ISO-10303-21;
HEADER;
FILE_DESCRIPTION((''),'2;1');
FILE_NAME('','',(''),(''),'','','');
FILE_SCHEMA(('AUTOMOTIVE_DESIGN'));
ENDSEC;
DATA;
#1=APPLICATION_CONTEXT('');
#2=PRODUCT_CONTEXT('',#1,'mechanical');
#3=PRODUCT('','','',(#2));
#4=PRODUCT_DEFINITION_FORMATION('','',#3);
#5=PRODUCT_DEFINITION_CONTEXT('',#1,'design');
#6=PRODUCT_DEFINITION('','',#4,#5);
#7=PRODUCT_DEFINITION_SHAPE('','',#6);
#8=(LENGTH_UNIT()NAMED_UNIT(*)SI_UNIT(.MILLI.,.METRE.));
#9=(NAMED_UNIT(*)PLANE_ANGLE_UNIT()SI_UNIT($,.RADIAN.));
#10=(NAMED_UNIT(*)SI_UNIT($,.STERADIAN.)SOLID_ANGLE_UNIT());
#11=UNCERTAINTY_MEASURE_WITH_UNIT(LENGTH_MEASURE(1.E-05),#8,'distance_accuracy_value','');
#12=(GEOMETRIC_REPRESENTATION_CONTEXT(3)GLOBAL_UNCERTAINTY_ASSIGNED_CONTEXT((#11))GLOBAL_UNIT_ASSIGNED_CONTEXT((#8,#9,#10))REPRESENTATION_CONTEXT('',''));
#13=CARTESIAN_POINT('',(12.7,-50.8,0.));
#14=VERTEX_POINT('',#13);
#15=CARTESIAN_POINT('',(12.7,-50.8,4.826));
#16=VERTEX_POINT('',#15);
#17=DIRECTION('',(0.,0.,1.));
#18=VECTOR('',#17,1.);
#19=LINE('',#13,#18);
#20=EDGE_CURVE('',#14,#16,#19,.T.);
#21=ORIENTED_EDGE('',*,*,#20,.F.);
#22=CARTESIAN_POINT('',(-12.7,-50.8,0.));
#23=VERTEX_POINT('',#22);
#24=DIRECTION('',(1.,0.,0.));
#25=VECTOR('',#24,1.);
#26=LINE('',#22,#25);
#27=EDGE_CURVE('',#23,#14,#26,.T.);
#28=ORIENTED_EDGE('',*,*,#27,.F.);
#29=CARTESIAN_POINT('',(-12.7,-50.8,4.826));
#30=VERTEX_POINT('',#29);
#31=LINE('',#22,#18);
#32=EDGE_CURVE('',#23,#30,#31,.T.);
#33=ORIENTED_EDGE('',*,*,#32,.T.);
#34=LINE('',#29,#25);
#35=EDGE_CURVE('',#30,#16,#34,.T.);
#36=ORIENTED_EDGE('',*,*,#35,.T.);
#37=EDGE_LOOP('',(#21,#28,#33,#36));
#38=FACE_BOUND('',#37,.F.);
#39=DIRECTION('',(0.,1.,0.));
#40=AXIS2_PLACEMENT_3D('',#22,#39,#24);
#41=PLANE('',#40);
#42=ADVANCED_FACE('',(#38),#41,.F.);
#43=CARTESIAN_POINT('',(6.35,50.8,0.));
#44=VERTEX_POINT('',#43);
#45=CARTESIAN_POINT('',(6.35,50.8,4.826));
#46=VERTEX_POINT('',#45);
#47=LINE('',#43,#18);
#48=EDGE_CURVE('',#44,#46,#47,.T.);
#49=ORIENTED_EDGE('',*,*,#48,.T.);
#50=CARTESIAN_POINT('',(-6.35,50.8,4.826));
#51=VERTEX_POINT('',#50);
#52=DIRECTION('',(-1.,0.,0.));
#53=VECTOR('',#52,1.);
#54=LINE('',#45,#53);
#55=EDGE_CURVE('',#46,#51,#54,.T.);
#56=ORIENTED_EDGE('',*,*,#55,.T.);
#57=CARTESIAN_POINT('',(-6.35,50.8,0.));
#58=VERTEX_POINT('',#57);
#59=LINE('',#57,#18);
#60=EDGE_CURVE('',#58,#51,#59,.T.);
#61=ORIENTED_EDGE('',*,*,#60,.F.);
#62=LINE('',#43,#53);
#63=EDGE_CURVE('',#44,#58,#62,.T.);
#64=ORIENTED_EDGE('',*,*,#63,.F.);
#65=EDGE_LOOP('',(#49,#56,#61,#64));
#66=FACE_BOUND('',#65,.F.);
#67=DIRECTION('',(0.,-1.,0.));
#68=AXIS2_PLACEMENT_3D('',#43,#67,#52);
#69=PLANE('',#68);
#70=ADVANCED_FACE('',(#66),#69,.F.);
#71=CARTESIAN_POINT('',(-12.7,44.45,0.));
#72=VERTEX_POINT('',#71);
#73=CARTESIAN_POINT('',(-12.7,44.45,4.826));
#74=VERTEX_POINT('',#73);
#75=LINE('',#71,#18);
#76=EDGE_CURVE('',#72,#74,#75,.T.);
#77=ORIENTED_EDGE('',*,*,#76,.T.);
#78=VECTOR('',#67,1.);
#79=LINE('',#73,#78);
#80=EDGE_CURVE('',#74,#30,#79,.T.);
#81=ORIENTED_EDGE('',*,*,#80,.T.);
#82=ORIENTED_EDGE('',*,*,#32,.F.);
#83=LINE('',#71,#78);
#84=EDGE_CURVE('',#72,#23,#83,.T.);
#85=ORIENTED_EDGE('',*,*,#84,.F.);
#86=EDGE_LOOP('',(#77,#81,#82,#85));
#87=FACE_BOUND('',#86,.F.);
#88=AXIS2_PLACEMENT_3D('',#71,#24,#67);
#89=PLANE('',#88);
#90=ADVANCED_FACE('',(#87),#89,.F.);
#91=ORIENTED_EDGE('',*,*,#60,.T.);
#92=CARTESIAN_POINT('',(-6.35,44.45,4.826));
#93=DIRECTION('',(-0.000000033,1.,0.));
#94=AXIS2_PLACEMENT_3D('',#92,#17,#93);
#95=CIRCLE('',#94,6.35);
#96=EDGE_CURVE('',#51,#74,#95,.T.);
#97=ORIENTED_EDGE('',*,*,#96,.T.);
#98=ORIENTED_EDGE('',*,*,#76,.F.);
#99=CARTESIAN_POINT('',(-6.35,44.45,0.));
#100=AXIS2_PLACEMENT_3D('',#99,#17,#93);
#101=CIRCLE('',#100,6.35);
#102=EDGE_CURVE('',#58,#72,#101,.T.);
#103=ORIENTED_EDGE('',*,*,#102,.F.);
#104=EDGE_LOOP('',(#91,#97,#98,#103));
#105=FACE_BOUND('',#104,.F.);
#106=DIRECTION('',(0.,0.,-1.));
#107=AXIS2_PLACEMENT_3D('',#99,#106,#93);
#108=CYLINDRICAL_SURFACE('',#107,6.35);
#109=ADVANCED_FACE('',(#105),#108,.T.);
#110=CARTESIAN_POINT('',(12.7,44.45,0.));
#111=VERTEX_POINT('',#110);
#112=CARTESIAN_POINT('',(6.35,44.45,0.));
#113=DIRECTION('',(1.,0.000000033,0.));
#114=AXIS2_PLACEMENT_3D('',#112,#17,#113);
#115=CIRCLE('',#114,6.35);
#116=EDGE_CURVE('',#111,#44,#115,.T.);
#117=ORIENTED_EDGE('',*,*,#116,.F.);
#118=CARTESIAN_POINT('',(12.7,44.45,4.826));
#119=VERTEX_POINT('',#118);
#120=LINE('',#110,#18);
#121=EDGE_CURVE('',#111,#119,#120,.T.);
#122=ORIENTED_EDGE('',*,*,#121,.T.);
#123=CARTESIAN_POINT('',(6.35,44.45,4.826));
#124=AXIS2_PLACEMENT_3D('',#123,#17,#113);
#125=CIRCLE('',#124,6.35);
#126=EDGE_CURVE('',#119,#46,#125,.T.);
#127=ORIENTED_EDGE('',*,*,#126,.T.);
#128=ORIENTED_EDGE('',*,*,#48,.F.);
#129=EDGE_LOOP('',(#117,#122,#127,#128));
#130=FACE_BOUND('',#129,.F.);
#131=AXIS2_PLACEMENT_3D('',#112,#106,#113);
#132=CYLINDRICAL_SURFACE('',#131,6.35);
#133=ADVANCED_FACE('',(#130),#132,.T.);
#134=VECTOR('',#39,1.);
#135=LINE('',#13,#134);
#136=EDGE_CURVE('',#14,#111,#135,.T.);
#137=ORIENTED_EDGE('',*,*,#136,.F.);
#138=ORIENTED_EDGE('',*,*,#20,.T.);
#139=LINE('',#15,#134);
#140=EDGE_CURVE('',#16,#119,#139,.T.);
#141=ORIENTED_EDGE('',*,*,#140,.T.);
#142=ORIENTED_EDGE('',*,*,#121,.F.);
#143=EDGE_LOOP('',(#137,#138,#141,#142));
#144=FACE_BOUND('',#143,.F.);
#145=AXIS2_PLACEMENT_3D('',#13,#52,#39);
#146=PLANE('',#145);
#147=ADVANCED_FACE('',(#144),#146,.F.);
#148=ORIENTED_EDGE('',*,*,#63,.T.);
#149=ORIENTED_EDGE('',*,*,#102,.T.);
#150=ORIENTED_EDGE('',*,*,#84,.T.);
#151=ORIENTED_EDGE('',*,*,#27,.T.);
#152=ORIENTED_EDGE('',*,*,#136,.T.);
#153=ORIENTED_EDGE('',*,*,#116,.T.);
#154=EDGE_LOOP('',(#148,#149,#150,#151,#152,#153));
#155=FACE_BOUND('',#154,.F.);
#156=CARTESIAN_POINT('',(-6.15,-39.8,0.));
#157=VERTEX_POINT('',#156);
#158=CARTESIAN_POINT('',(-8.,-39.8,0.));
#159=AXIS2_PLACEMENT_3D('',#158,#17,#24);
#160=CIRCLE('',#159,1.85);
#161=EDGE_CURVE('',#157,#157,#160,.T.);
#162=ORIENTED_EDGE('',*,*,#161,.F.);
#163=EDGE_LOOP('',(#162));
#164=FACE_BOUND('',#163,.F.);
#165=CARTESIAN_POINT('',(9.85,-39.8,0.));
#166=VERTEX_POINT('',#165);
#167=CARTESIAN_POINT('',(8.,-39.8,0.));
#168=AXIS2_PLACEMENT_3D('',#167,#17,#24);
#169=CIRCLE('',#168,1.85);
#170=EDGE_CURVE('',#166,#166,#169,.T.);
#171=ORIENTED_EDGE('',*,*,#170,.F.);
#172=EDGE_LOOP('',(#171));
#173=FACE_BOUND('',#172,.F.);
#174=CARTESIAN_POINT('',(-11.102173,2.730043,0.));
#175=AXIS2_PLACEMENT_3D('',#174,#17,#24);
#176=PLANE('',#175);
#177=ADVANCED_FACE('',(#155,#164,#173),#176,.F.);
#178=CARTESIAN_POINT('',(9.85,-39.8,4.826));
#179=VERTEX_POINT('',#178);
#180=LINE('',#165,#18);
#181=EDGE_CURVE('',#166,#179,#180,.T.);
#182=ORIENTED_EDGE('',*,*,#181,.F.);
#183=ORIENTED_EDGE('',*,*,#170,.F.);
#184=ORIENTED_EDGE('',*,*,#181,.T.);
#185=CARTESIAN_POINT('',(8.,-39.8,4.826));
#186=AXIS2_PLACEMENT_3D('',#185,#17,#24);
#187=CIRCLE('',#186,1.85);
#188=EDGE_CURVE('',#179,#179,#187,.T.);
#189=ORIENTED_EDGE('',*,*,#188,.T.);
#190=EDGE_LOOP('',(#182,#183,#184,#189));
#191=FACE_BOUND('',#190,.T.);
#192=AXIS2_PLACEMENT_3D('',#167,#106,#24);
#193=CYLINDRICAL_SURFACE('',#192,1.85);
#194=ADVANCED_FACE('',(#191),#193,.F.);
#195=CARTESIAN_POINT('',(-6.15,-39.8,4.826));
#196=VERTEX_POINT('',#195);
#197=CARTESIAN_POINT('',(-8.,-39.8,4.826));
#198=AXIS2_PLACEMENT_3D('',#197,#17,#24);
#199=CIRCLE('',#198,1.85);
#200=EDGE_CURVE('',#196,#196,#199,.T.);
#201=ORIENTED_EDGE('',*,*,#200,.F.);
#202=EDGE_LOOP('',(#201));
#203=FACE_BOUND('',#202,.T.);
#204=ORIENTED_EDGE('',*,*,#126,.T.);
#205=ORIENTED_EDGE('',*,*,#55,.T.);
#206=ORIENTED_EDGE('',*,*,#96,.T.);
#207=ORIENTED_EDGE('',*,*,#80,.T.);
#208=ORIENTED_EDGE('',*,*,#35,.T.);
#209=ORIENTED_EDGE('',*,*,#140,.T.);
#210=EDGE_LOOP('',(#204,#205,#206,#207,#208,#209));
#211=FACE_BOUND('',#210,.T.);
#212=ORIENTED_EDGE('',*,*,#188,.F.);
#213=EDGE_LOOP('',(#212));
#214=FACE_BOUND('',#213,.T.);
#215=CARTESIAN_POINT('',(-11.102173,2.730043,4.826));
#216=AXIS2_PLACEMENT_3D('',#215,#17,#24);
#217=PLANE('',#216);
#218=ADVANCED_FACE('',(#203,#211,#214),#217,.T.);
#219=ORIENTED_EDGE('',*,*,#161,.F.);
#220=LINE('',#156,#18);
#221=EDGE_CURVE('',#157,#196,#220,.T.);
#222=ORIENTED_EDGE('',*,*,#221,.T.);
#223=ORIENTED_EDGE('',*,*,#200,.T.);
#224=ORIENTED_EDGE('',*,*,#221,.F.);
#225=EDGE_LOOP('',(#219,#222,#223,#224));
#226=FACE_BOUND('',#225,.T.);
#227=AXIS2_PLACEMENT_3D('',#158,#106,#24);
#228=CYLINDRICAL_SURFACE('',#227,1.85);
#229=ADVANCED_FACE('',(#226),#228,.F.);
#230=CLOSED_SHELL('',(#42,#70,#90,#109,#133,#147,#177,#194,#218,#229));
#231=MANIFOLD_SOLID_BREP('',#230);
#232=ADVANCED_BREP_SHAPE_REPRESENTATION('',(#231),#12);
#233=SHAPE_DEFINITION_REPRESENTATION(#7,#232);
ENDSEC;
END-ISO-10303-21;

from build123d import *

# Parameters (mm, degrees)
F0_R     = 1.85
F1_DEPTH = 4.826


with BuildPart() as f1:
    # F0 (on Top) → F1 (new body)
    with BuildSketch(Plane.XY):
        with BuildLine():
            Line((0, 50.8), (-6.35, 50.8))
            ThreePointArc((-6.35, 50.8), (-10.840128, 48.940128), (-12.7, 44.45))
            Line((-12.7, 44.45), (-12.7, -50.8))
            add(Edge.make_bspline(
                [(0, 50.8), (-12.7, 50.8), (-12.7, -12.351775), (-12.7, -50.8)],
                knots=[0, 0, 0, 0, 102.390673, 102.390673, 102.390673, 102.390673], degree=3))
        make_face()
        with BuildLine():
            add(Edge.make_bspline(
                [(0, 50.8), (12.7, 50.8), (12.7, -12.351775), (12.7, -50.8)],
                knots=[0, 0, 0, 0, 102.390673, 102.390673, 102.390673, 102.390673], degree=3))
            add(Edge.make_bspline(
                [(0, 50.8), (-12.7, 50.8), (-12.7, -12.351775), (-12.7, -50.8)],
                knots=[0, 0, 0, 0, 102.390673, 102.390673, 102.390673, 102.390673], degree=3))
            Line((-12.7, -50.8), (12.7, -50.8))
        make_face()
        with Locations((-8, -39.8)):
            Circle(F0_R, mode=Mode.SUBTRACT)
        with Locations((8, -39.8)):
            Circle(F0_R, mode=Mode.SUBTRACT)
        with BuildLine():
            Line((6.35, 50.8), (0, 50.8))
            add(Edge.make_bspline(
                [(0, 50.8), (12.7, 50.8), (12.7, -12.351775), (12.7, -50.8)],
                knots=[0, 0, 0, 0, 102.390673, 102.390673, 102.390673, 102.390673], degree=3))
            Line((12.7, -50.8), (12.7, 44.45))
            ThreePointArc((12.7, 44.45), (10.840128, 48.940128), (6.35, 50.8))
        make_face()
    extrude(amount=F1_DEPTH)


solid = f1.part
